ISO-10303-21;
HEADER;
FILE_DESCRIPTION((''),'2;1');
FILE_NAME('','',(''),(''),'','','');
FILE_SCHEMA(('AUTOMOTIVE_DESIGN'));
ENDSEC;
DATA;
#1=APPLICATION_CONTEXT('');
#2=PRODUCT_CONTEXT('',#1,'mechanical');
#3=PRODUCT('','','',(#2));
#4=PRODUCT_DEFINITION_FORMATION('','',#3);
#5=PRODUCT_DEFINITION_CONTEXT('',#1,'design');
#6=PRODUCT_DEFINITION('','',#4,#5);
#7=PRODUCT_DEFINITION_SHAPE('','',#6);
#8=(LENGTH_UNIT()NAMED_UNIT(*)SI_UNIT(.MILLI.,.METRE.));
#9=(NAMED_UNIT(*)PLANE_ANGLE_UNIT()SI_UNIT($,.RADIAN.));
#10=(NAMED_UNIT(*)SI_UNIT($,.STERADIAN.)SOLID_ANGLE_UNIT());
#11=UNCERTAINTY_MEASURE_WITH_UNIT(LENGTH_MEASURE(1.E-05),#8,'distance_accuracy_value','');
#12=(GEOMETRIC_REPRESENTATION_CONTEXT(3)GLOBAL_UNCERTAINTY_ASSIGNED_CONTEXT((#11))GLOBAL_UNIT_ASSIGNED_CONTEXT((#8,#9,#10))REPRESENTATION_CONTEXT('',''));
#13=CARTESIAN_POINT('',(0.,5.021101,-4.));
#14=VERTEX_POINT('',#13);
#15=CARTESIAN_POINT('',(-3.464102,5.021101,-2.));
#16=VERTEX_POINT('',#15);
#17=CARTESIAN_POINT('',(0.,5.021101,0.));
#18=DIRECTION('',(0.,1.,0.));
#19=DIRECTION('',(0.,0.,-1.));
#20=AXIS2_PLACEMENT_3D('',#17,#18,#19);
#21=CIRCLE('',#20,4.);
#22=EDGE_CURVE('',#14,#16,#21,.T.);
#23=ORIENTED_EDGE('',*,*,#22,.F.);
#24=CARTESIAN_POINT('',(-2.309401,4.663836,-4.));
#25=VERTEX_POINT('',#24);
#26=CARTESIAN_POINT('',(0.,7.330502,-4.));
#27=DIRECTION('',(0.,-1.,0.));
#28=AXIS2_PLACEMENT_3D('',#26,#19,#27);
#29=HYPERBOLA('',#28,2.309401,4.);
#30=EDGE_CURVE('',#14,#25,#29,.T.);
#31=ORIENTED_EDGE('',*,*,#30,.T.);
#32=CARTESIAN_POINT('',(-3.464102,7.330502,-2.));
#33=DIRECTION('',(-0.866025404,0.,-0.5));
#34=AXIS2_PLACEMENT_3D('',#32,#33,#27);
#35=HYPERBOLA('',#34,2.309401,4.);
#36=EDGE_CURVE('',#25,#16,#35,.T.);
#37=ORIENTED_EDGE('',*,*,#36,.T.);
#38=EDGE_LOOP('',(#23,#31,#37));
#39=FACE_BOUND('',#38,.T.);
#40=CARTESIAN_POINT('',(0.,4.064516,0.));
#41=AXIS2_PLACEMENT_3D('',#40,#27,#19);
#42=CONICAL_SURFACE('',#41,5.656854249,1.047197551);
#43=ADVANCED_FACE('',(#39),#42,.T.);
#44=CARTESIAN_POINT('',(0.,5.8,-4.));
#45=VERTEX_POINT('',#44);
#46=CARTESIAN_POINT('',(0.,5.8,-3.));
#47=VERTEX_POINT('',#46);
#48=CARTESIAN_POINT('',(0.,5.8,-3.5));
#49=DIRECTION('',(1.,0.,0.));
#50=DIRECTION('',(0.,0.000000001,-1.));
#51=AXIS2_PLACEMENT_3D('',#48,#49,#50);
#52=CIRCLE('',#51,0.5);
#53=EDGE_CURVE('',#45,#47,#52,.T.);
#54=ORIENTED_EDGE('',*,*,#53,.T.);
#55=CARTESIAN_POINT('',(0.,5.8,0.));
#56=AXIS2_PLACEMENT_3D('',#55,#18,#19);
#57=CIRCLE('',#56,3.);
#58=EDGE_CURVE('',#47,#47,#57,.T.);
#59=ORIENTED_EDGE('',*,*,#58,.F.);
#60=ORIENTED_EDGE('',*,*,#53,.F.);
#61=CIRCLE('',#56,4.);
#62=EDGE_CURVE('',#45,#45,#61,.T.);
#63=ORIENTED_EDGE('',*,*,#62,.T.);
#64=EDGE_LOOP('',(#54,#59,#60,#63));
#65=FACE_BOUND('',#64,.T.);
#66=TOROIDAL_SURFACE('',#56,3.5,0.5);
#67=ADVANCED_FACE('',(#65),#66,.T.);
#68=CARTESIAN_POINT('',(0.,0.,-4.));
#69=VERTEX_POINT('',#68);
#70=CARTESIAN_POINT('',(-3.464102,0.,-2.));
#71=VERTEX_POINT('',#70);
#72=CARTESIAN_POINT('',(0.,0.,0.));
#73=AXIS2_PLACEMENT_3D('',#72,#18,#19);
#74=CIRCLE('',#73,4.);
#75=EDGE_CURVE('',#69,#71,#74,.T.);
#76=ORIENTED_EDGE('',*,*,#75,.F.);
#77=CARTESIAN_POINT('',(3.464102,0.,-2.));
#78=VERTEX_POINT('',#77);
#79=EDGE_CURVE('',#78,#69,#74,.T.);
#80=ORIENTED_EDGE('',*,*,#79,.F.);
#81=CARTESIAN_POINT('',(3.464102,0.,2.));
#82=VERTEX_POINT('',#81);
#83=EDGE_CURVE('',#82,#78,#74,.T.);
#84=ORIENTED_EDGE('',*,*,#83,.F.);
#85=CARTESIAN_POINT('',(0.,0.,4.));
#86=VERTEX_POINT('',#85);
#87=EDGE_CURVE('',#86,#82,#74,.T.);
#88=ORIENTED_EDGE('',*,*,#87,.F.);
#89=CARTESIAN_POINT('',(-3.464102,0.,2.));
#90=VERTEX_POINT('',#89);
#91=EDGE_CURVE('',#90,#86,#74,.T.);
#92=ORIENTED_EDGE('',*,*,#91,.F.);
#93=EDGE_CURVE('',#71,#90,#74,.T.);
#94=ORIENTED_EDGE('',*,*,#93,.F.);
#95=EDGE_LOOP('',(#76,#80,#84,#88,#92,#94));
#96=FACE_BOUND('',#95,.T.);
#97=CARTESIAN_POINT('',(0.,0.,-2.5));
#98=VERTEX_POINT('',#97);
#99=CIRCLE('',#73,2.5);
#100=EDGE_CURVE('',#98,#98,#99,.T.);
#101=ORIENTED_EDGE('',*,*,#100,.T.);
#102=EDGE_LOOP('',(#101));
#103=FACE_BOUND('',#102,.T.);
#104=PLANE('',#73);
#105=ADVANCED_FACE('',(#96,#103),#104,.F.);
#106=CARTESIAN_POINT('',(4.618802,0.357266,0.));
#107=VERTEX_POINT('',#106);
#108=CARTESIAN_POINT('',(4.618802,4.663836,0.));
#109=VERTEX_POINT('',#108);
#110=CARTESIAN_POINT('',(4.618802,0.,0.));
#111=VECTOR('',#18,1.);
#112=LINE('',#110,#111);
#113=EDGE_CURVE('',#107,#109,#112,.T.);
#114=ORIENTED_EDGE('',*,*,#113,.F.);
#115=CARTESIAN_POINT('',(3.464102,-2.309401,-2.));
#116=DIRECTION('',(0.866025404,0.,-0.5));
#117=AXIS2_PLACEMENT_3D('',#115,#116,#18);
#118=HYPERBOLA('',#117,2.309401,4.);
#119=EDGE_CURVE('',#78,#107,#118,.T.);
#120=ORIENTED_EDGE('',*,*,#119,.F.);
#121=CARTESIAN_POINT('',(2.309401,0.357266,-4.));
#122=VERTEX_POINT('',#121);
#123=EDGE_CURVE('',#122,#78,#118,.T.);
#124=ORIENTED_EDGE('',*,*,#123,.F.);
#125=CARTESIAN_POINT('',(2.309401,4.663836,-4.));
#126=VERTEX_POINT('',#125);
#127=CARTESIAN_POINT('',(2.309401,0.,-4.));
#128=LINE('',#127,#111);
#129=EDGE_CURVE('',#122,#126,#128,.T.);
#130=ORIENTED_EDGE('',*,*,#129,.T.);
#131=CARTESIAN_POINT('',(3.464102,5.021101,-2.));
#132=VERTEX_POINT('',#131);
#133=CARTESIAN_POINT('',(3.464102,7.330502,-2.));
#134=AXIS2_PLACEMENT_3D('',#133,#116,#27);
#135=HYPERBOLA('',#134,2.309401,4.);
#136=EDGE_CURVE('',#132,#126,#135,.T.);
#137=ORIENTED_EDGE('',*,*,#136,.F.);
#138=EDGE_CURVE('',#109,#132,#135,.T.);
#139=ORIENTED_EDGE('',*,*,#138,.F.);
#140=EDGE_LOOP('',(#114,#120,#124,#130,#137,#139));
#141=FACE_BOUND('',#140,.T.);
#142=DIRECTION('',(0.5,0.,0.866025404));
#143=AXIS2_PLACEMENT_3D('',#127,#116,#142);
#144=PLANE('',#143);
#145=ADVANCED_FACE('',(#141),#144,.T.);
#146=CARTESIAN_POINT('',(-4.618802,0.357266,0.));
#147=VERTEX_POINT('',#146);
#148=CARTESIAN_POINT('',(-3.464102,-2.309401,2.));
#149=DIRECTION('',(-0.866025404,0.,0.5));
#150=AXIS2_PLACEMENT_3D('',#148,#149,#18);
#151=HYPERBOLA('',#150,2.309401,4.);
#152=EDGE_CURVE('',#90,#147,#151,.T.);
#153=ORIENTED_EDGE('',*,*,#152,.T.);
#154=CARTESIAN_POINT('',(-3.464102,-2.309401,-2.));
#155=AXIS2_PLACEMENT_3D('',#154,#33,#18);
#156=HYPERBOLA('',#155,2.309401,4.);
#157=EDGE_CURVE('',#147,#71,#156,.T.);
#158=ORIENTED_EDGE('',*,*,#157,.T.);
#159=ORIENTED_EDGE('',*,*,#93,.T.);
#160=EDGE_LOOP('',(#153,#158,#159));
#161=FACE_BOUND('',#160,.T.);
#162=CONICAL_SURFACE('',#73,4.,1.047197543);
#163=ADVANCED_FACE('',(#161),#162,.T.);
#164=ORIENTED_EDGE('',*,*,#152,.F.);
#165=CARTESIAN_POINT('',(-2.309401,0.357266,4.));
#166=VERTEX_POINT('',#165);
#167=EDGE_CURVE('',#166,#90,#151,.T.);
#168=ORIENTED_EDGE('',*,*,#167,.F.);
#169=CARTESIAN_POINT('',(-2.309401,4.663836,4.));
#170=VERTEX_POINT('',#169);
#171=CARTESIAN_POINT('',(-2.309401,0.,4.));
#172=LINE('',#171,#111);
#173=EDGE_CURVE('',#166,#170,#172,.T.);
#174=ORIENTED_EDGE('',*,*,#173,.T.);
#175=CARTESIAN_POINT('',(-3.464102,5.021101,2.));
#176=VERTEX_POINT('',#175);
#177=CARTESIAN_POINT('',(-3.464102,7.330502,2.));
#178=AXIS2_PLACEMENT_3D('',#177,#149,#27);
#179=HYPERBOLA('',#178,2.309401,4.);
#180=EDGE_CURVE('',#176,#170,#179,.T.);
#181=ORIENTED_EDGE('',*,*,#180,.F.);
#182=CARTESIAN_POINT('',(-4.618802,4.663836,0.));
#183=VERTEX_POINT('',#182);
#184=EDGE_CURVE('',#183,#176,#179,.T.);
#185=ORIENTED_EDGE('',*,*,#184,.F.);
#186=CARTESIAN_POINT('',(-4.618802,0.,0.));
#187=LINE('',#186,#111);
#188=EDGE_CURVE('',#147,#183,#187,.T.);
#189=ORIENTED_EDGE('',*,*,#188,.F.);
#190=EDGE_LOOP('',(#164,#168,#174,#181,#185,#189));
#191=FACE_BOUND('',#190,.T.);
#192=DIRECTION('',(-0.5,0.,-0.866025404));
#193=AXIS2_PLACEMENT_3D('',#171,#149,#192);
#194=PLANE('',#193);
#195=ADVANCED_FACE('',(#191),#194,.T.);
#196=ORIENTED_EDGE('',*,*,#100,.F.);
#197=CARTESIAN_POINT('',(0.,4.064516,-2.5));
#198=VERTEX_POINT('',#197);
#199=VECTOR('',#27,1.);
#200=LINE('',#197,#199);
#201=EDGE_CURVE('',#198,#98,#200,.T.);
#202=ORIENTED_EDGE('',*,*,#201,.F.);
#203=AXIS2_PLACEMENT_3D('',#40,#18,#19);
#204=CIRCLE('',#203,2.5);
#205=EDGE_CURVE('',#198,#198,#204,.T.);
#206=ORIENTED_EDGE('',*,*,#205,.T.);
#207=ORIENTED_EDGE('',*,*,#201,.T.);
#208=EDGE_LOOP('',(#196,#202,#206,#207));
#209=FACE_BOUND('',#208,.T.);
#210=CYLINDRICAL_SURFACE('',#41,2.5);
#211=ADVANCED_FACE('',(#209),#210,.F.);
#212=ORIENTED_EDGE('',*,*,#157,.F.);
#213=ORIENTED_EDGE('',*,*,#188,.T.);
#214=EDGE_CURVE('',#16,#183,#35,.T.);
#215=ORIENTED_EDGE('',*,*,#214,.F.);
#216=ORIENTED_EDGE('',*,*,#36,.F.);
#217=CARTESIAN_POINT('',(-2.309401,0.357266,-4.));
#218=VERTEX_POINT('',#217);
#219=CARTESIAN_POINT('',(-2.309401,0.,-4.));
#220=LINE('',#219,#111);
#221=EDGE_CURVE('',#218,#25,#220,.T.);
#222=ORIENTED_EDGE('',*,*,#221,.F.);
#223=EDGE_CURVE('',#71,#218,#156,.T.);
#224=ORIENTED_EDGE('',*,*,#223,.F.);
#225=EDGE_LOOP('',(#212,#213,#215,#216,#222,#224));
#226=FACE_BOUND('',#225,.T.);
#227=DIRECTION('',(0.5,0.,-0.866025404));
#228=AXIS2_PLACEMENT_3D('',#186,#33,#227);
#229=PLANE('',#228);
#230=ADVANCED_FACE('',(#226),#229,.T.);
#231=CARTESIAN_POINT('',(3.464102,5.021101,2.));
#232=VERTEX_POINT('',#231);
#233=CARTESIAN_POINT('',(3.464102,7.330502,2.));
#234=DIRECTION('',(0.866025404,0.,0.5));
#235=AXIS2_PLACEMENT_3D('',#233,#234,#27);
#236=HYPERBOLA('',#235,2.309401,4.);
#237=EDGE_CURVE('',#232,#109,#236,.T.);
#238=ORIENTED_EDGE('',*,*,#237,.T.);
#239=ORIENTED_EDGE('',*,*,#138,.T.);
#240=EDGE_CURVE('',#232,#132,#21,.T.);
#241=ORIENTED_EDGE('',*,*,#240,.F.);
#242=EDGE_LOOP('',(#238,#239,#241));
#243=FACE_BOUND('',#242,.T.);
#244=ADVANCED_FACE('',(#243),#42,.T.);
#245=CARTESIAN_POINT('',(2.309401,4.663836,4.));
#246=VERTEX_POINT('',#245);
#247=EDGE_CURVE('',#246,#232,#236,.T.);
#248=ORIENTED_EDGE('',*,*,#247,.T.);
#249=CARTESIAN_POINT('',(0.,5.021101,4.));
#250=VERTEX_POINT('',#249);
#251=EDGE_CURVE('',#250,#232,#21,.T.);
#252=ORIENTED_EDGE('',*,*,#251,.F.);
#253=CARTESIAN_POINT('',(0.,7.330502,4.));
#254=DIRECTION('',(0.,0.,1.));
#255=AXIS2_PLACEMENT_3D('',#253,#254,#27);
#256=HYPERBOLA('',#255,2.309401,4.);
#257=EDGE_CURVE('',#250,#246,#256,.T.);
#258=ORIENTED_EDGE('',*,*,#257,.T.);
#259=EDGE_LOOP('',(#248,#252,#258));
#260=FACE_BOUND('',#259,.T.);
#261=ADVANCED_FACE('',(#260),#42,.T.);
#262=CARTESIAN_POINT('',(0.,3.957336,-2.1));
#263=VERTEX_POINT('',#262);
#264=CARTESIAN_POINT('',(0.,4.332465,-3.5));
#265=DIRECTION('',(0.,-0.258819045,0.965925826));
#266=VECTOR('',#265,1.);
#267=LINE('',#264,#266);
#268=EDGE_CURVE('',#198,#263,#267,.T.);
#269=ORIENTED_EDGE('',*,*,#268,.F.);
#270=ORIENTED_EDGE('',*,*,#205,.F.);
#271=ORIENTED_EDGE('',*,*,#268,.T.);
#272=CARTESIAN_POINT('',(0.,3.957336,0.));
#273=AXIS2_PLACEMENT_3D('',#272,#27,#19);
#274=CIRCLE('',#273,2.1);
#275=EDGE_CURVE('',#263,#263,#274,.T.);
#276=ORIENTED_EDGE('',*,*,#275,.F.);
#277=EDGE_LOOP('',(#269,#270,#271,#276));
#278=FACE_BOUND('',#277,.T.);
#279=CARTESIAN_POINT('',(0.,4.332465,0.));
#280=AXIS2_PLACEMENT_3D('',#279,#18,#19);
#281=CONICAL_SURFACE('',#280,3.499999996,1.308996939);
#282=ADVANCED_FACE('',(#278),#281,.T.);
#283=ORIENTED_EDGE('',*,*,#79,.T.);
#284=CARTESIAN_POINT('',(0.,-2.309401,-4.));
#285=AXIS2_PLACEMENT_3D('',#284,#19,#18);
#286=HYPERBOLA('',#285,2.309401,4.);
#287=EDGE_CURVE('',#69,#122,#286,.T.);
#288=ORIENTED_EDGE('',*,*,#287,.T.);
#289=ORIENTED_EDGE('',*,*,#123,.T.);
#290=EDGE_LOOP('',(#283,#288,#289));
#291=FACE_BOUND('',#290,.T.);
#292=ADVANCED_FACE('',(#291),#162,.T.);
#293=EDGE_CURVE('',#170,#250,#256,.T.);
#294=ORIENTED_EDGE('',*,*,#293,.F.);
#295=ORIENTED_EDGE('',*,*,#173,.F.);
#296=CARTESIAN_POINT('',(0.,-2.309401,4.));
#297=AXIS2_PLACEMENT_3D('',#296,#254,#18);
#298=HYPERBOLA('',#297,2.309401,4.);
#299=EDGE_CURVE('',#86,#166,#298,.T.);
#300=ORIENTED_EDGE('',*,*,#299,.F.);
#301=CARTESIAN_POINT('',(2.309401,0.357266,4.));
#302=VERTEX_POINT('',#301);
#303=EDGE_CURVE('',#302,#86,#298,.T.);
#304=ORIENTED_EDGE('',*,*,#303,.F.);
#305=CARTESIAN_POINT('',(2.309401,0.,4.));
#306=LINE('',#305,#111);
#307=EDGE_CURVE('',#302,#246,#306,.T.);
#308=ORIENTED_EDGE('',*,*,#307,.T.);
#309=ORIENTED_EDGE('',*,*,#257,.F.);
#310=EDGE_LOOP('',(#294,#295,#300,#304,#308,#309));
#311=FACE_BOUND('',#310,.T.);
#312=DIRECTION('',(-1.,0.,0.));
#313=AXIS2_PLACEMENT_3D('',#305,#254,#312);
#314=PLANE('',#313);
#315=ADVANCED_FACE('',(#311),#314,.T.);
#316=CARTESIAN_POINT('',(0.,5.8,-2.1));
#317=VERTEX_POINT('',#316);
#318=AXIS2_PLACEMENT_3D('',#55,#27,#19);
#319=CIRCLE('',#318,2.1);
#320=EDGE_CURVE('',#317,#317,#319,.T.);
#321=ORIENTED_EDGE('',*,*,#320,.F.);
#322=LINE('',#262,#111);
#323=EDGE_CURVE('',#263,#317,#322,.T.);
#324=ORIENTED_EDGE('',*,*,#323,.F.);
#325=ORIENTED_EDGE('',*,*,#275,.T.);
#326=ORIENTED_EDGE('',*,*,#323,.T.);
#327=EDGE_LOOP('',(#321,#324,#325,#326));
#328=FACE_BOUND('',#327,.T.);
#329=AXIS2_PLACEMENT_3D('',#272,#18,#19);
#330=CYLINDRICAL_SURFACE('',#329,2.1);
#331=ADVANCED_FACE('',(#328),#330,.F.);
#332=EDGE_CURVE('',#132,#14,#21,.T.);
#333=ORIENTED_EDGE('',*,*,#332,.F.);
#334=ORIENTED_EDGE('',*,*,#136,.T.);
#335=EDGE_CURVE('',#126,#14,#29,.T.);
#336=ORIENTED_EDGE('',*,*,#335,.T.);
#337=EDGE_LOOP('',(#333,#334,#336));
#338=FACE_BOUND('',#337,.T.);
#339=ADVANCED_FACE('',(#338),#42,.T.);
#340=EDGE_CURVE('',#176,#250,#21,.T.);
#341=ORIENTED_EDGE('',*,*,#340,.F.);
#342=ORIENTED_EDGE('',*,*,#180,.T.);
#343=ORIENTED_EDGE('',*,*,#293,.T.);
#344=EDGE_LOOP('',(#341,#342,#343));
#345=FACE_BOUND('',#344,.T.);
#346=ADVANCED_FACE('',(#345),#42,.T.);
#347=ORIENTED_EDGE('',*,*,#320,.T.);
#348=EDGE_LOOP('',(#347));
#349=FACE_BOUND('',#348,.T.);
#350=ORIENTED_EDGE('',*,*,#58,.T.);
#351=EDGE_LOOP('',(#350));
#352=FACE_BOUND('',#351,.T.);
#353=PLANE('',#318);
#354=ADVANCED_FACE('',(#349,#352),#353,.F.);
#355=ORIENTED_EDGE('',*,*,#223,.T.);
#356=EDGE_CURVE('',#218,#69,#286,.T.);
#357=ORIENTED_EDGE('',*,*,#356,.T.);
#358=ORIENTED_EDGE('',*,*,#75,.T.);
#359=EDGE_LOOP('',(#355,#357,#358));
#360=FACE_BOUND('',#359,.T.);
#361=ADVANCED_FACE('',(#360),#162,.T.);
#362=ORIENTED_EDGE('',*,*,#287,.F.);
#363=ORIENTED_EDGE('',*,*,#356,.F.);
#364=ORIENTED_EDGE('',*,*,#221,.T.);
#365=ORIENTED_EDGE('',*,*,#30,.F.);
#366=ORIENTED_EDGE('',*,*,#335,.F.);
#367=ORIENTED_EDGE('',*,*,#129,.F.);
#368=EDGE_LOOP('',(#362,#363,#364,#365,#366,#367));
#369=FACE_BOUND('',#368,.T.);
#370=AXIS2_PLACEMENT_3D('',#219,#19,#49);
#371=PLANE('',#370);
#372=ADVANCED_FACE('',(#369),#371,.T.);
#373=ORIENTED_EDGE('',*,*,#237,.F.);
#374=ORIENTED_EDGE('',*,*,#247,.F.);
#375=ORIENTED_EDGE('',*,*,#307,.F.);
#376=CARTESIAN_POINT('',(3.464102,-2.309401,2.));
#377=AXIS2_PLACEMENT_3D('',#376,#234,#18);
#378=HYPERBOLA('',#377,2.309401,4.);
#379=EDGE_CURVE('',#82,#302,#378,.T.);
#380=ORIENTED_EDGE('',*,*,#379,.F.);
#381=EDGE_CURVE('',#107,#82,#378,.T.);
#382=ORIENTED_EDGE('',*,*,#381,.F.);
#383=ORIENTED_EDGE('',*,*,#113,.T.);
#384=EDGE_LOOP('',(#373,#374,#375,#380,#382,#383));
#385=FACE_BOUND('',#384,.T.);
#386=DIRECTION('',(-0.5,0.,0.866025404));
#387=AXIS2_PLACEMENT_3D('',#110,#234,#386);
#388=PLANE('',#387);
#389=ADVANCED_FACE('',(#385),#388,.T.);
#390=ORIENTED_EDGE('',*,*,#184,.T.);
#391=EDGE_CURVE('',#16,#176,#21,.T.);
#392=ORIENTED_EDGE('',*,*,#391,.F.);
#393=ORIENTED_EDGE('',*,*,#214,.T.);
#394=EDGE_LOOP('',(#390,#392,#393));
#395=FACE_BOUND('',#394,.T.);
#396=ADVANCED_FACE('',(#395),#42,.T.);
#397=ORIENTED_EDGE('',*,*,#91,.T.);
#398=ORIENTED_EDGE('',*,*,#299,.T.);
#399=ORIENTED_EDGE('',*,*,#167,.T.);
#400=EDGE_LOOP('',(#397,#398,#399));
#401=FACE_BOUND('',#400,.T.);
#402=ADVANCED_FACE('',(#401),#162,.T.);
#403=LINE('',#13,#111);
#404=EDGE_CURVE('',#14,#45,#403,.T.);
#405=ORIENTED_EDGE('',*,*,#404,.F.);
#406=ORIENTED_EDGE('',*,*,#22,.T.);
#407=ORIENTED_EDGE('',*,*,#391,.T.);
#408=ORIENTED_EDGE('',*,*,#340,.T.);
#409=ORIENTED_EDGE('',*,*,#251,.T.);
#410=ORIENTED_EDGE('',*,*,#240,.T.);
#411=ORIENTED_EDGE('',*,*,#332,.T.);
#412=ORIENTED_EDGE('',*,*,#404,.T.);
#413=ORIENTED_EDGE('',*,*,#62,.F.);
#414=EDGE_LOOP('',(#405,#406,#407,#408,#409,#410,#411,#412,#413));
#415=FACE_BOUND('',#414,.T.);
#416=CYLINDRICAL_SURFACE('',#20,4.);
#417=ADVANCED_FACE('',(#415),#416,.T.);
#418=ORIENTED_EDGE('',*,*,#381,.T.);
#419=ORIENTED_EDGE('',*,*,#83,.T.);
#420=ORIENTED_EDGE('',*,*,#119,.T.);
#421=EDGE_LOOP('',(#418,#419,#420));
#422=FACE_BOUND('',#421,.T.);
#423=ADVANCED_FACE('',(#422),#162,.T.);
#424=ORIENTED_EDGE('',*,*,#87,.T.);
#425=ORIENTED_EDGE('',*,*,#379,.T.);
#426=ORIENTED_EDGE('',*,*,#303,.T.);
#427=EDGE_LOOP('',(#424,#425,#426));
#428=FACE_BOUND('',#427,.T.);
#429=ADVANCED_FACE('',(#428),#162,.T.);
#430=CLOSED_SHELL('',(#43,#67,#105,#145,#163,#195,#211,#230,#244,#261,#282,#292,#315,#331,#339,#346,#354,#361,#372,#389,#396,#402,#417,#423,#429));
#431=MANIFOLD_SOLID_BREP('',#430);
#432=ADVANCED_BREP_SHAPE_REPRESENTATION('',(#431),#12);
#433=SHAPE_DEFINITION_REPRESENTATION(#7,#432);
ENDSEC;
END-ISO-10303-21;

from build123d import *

# Parameters (mm, degrees)
ESQUISSE2_OUTSIDE_W     = 16.754
ESQUISSE2_OUTSIDE_H     = 16.754
ENL_V_MAT_EXTRU_2_DEPTH = 7.3000001


with BuildPart() as part:
    # Esquisse1 → Base-Révolution (revolve)
    with BuildSketch(Plane.XY, mode=Mode.PRIVATE) as base_r_volution_sk:
        with BuildLine():
            Line((3, 5.800000004), (3.499999996, 5.800000004))
            Line((3.499999996, 5.800000004), (3.499999996, 4.33246532))
            Line((3.499999996, 4.33246532), (2.5, 4.064516129))
            Line((2.5, 4.064516129), (2.5, 0))
            Line((2.5, 0), (4, 0))
            Line((4, 0), (5.656854249, 0.956585264))
            Line((5.656854249, 0.956585264), (5.656854249, 4.064516129))
            Line((5.656854249, 4.064516129), (3.999999993, 5.02110138))
            Line((3.999999993, 5.02110138), (3.999999993, 5.800000004))
            ThreePointArc((3.999999993, 5.800000004), (3.499999996, 6.3), (3, 5.800000004))
        make_face()
    revolve(base_r_volution_sk.sketch.rotate(Axis((0, 0, 0), (0, 1, 0)), 90), axis=Axis((0, 0, 0), (0, 1, 0)))  # turned: the seam where the file's is

    # Esquisse2 outside → Enlèv. mat.-Extru.2 (cut, through all)
    with BuildSketch(Plane(origin=(0, 0, 0), x_dir=(1, 0, 0), z_dir=(0, 1, 0))):
        Rectangle(ESQUISSE2_OUTSIDE_W, ESQUISSE2_OUTSIDE_H)
        Polygon((-2.309401077, 4), (2.309401077, 4), (4.618802154, 0), (2.309401077, -4), (-2.309401077, -4), (-4.618802154, 0), align=None, mode=Mode.SUBTRACT)
    extrude(amount=ENL_V_MAT_EXTRU_2_DEPTH, mode=Mode.SUBTRACT)

    # Esquisse4 → Boss.-Révol.1 (revolve)
    with BuildSketch(Plane.XY, mode=Mode.PRIVATE) as boss_r_vol_1_sk:
        Polygon((2.1, 3.957336452), (2.1, 5.800000004), (3.499999996, 5.800000004), (3.499999996, 4.33246532), align=None)
    revolve(boss_r_vol_1_sk.sketch.rotate(Axis((0, 5.02110138, 0), (0, -1, 0)), 270), axis=Axis((0, 5.02110138, 0), (0, -1, 0)))  # turned: the seam where the file's is


solid = part.part
